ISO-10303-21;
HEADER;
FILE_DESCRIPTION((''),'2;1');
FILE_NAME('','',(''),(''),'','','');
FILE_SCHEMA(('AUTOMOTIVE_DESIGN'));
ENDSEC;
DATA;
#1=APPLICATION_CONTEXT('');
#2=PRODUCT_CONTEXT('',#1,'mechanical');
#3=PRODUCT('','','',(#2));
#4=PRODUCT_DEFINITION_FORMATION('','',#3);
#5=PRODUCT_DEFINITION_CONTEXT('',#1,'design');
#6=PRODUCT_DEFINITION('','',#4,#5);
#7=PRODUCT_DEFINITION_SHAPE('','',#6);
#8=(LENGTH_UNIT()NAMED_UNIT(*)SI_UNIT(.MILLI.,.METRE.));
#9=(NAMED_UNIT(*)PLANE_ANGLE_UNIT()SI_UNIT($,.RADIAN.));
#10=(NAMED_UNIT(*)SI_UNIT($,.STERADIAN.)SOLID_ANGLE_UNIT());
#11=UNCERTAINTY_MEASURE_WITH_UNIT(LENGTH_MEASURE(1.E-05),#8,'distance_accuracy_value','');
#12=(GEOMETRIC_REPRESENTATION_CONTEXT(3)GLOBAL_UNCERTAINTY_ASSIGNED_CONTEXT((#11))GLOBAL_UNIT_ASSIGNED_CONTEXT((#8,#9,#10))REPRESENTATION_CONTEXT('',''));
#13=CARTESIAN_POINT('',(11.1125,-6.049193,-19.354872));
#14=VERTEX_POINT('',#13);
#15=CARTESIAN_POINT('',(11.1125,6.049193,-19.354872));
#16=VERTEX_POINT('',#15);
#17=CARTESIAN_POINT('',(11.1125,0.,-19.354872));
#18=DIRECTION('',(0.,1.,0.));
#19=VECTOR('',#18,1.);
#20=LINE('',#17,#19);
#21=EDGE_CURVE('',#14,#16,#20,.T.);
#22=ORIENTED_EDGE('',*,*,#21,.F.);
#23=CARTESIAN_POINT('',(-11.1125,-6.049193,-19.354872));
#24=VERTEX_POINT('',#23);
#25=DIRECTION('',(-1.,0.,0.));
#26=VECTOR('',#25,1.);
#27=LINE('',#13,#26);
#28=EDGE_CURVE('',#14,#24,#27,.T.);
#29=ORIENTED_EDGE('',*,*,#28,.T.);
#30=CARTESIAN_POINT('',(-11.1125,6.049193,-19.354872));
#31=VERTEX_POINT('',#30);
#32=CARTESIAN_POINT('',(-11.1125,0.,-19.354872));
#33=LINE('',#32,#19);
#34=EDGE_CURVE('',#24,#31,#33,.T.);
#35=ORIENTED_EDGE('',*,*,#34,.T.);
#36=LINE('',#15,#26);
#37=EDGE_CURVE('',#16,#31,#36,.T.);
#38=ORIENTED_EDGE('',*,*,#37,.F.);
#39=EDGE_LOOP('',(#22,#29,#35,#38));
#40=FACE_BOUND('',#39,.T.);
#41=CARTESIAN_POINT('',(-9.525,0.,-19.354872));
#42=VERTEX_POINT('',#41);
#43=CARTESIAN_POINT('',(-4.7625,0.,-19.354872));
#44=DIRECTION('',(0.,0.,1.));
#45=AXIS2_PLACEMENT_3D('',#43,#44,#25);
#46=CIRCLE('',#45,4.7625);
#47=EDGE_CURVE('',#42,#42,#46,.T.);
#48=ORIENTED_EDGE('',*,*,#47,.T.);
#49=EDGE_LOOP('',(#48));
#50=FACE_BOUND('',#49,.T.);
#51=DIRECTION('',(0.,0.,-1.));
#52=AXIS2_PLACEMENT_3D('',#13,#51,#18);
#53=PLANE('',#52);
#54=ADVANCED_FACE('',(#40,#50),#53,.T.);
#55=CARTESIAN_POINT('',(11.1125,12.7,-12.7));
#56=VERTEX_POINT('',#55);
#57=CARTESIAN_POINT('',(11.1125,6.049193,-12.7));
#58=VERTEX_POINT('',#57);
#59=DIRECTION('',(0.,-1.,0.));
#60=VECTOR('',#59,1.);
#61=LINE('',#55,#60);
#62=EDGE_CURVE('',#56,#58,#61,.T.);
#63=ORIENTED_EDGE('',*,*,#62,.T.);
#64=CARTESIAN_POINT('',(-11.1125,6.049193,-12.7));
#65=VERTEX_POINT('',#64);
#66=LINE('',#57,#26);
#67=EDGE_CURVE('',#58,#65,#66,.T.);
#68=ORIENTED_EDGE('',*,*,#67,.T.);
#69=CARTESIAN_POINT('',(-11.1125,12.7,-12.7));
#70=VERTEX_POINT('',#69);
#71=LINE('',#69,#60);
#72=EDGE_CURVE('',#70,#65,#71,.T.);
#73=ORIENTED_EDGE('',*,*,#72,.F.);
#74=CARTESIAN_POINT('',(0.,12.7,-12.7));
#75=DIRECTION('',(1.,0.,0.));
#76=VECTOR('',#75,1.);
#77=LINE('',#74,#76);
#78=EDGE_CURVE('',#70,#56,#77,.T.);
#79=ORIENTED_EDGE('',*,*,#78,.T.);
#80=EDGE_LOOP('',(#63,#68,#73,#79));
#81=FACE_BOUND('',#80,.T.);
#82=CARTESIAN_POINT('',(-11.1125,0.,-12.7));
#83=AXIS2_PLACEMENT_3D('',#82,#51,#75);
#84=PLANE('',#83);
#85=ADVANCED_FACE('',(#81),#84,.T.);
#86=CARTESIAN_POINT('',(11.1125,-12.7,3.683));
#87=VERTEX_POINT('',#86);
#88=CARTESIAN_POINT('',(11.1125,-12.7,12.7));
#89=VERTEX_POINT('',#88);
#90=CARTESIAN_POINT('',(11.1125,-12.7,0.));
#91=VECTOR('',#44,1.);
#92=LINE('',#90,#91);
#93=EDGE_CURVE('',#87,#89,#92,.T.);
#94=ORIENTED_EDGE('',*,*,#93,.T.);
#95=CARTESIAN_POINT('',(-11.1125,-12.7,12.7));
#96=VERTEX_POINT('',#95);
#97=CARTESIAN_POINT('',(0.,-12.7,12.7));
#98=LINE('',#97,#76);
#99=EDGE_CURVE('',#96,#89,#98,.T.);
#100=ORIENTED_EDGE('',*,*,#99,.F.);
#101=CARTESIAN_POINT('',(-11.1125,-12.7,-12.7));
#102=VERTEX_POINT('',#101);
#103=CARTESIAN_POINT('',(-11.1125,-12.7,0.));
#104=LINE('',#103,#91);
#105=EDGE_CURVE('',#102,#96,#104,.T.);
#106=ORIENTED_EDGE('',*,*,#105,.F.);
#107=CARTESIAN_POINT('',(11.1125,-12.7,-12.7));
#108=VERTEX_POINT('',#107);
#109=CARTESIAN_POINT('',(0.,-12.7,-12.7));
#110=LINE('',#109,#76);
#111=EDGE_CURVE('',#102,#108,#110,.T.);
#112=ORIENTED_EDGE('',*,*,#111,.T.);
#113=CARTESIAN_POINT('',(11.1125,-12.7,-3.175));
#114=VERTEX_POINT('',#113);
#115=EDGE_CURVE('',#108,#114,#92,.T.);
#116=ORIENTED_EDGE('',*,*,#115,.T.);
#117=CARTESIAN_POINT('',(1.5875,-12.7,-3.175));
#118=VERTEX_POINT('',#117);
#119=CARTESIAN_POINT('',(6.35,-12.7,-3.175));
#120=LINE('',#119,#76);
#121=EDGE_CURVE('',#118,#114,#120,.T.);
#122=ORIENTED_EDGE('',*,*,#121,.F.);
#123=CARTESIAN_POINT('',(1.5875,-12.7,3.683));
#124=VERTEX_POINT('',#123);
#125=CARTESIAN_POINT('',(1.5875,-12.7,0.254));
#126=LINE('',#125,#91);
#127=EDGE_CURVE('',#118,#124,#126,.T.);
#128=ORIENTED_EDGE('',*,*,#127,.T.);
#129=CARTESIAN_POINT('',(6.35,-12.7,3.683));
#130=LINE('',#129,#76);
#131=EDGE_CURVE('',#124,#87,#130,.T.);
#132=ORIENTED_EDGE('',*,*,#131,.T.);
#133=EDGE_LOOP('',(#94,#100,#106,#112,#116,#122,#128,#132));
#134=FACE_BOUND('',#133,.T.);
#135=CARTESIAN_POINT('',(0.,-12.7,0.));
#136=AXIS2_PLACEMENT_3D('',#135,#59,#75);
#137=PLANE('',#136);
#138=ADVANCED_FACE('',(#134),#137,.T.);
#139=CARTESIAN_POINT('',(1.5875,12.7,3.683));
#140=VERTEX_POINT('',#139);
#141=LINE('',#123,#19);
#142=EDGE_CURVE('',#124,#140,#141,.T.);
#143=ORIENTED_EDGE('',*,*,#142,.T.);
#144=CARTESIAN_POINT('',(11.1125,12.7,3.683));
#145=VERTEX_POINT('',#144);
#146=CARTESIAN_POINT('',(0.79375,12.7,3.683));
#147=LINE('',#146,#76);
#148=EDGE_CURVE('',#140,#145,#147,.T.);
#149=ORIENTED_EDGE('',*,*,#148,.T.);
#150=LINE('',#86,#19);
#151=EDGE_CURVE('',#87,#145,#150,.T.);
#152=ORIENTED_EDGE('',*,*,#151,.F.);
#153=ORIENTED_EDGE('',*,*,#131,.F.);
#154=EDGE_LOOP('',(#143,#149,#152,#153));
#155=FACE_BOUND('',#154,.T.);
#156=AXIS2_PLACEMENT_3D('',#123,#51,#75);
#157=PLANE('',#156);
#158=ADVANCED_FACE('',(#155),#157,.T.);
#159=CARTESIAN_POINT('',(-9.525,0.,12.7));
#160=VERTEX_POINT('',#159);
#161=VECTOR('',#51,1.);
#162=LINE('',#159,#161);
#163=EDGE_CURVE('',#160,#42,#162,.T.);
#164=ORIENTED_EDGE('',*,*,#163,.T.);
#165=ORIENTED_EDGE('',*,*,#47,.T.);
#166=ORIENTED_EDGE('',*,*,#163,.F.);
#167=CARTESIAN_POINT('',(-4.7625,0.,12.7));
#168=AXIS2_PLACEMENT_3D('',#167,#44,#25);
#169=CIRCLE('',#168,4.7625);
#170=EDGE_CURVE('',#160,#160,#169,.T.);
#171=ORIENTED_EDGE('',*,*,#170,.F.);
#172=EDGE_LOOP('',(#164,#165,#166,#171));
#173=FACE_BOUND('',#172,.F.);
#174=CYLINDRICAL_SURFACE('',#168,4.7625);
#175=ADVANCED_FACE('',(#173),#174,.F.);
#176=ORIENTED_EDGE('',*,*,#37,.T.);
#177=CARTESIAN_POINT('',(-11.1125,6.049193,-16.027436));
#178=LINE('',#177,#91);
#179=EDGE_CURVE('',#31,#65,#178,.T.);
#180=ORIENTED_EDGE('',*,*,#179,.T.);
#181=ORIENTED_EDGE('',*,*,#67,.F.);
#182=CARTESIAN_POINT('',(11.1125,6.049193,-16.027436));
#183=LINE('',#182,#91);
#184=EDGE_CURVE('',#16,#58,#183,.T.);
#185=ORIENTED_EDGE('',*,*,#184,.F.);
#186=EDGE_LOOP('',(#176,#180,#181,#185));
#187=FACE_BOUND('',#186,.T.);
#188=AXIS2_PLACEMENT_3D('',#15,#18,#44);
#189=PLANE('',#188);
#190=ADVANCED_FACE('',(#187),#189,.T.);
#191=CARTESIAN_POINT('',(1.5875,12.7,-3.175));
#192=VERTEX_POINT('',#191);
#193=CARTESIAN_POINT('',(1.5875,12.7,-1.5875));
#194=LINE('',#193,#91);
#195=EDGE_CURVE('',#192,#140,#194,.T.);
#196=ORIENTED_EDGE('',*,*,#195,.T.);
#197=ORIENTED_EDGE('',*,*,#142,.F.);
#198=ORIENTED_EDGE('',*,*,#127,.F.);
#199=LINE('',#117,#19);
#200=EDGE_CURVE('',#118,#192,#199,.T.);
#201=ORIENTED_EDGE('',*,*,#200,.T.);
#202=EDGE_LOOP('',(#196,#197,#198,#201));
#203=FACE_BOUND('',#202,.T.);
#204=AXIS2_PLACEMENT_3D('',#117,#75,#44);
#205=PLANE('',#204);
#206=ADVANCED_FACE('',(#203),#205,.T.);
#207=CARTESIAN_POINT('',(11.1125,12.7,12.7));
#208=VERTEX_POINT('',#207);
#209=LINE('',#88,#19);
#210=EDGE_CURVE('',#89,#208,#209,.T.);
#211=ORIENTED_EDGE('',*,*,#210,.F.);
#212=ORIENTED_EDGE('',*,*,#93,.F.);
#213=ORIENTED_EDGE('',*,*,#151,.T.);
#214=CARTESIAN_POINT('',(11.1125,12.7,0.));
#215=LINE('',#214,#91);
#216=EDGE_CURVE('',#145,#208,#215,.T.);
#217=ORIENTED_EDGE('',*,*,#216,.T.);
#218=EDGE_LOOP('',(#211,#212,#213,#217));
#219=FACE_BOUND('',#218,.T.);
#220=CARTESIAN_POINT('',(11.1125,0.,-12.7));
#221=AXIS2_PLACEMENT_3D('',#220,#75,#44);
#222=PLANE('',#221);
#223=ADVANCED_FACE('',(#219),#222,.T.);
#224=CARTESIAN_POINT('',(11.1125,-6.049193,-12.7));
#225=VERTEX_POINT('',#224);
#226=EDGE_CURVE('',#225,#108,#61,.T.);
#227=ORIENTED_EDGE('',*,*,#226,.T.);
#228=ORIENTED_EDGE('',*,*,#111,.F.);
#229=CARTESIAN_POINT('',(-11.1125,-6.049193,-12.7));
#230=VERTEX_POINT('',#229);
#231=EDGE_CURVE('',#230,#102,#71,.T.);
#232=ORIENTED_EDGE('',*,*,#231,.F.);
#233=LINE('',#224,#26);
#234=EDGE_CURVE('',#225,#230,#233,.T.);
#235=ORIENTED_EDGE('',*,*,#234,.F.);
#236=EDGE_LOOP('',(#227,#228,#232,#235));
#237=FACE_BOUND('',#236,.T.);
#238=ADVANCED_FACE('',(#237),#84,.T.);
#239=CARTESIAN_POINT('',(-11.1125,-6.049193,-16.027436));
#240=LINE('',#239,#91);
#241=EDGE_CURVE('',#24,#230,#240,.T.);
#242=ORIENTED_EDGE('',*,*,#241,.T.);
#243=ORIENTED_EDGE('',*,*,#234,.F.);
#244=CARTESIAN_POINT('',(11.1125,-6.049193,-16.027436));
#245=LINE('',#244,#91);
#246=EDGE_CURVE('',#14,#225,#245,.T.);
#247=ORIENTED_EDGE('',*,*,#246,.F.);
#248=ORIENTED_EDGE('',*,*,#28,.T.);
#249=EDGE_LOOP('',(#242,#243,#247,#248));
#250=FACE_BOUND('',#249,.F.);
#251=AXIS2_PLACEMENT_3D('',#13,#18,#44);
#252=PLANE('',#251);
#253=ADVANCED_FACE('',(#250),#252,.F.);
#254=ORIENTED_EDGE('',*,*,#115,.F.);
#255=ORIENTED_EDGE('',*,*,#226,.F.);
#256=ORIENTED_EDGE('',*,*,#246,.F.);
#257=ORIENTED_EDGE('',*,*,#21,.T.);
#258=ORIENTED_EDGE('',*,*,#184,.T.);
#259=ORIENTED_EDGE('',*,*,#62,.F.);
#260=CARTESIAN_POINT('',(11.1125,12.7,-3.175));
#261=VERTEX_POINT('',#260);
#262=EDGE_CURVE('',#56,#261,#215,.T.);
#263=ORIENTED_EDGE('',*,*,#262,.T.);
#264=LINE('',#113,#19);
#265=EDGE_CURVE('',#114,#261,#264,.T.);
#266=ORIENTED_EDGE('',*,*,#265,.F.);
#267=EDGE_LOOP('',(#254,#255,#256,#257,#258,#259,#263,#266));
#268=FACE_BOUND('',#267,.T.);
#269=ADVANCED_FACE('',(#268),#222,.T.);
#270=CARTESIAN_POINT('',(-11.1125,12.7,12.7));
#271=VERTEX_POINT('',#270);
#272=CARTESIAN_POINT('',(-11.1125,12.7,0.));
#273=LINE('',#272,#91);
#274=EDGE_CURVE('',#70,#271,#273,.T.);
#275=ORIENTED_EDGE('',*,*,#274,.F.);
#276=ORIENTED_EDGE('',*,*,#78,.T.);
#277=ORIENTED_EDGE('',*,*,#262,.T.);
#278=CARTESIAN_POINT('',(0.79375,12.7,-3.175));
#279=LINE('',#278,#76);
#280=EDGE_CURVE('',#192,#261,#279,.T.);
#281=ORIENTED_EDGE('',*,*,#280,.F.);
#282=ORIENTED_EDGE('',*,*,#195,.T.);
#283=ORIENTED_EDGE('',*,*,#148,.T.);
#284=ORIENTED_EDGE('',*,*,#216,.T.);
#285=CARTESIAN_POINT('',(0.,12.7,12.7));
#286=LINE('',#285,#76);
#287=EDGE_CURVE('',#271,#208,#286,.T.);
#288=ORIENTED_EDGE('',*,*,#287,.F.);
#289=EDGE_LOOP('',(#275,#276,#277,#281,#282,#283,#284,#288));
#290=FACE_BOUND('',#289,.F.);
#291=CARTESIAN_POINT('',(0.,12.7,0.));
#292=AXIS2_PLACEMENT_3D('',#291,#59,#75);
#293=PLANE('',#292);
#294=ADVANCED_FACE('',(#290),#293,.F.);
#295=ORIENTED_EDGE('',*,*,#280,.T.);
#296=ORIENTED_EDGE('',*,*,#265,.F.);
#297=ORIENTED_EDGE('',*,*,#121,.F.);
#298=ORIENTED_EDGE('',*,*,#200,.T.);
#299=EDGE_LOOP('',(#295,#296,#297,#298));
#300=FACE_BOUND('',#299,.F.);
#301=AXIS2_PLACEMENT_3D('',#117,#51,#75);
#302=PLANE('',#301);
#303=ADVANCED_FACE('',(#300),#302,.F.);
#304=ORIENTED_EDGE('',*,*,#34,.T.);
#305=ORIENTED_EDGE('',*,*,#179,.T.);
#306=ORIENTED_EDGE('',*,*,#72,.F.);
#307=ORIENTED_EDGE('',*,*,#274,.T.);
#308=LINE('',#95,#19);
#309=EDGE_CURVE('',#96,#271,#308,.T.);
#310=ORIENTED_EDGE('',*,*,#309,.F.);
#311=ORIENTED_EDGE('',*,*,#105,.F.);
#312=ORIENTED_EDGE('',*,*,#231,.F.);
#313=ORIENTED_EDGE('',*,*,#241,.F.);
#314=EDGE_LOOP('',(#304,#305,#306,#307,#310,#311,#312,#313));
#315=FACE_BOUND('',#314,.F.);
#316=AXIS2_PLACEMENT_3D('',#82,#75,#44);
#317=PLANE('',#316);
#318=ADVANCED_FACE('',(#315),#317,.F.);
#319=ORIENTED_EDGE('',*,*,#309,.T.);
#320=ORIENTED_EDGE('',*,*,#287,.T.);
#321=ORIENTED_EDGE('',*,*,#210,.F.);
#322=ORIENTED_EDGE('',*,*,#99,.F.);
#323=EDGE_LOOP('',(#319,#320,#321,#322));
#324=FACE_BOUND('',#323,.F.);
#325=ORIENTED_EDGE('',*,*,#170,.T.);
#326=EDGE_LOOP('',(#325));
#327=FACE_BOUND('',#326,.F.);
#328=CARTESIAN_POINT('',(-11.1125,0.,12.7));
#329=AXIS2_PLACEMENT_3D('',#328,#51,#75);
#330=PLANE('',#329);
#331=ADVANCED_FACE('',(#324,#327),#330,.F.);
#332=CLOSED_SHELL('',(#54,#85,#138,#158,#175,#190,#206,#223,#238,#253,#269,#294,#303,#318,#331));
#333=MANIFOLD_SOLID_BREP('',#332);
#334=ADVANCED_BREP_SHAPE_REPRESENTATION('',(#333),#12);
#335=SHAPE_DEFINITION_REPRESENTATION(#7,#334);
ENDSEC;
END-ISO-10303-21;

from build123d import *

# Parameters (mm, degrees)
F0_W     = 22.225
F0_H     = 25.4
F1_DEPTH = 12.7
F2_W     = 9.525
F2_H     = 6.858
F6_DEPTH = 25.401
F7_W     = 12.098386
F7_H     = 6.654872
F3_DEPTH = 22.225
F4_DEPTH = 32.055872


with BuildPart() as f1:
    # F0 (on Front) → F1 (new body, symmetric)
    with BuildSketch(Plane.XZ):
        Rectangle(F0_W, F0_H)
    extrude(amount=F1_DEPTH, both=True)

    # F2 (on face) → F6 (cut, through all)
    with BuildSketch(Plane.XZ.offset(12.7)):
        with Locations((6.35, 0.254)):
            Rectangle(F2_W, F2_H)
    extrude(amount=-F6_DEPTH, mode=Mode.SUBTRACT)

    # F7 (on face) → F3 (join, through all)
    with BuildSketch(Plane.YZ.offset(11.1125)):
        with Locations((0, -16.027436)):
            Rectangle(F7_W, F7_H)
    extrude(amount=-F3_DEPTH)

    # F8 (on face) → F4 (cut, through all)
    with BuildSketch(Plane.XY.offset(12.7)):
        with BuildLine():
            Line((-9.525, 0), (0, 0))
            ThreePointArc((0, 0), (-4.7625, 4.7625), (-9.525, 0))
        make_face()
        with BuildLine():
            ThreePointArc((-9.525, 0), (-4.7625, -4.7625), (0, 0))
            Line((0, 0), (-9.525, 0))
        make_face()
    extrude(amount=-F4_DEPTH, mode=Mode.SUBTRACT)


solid = f1.part
